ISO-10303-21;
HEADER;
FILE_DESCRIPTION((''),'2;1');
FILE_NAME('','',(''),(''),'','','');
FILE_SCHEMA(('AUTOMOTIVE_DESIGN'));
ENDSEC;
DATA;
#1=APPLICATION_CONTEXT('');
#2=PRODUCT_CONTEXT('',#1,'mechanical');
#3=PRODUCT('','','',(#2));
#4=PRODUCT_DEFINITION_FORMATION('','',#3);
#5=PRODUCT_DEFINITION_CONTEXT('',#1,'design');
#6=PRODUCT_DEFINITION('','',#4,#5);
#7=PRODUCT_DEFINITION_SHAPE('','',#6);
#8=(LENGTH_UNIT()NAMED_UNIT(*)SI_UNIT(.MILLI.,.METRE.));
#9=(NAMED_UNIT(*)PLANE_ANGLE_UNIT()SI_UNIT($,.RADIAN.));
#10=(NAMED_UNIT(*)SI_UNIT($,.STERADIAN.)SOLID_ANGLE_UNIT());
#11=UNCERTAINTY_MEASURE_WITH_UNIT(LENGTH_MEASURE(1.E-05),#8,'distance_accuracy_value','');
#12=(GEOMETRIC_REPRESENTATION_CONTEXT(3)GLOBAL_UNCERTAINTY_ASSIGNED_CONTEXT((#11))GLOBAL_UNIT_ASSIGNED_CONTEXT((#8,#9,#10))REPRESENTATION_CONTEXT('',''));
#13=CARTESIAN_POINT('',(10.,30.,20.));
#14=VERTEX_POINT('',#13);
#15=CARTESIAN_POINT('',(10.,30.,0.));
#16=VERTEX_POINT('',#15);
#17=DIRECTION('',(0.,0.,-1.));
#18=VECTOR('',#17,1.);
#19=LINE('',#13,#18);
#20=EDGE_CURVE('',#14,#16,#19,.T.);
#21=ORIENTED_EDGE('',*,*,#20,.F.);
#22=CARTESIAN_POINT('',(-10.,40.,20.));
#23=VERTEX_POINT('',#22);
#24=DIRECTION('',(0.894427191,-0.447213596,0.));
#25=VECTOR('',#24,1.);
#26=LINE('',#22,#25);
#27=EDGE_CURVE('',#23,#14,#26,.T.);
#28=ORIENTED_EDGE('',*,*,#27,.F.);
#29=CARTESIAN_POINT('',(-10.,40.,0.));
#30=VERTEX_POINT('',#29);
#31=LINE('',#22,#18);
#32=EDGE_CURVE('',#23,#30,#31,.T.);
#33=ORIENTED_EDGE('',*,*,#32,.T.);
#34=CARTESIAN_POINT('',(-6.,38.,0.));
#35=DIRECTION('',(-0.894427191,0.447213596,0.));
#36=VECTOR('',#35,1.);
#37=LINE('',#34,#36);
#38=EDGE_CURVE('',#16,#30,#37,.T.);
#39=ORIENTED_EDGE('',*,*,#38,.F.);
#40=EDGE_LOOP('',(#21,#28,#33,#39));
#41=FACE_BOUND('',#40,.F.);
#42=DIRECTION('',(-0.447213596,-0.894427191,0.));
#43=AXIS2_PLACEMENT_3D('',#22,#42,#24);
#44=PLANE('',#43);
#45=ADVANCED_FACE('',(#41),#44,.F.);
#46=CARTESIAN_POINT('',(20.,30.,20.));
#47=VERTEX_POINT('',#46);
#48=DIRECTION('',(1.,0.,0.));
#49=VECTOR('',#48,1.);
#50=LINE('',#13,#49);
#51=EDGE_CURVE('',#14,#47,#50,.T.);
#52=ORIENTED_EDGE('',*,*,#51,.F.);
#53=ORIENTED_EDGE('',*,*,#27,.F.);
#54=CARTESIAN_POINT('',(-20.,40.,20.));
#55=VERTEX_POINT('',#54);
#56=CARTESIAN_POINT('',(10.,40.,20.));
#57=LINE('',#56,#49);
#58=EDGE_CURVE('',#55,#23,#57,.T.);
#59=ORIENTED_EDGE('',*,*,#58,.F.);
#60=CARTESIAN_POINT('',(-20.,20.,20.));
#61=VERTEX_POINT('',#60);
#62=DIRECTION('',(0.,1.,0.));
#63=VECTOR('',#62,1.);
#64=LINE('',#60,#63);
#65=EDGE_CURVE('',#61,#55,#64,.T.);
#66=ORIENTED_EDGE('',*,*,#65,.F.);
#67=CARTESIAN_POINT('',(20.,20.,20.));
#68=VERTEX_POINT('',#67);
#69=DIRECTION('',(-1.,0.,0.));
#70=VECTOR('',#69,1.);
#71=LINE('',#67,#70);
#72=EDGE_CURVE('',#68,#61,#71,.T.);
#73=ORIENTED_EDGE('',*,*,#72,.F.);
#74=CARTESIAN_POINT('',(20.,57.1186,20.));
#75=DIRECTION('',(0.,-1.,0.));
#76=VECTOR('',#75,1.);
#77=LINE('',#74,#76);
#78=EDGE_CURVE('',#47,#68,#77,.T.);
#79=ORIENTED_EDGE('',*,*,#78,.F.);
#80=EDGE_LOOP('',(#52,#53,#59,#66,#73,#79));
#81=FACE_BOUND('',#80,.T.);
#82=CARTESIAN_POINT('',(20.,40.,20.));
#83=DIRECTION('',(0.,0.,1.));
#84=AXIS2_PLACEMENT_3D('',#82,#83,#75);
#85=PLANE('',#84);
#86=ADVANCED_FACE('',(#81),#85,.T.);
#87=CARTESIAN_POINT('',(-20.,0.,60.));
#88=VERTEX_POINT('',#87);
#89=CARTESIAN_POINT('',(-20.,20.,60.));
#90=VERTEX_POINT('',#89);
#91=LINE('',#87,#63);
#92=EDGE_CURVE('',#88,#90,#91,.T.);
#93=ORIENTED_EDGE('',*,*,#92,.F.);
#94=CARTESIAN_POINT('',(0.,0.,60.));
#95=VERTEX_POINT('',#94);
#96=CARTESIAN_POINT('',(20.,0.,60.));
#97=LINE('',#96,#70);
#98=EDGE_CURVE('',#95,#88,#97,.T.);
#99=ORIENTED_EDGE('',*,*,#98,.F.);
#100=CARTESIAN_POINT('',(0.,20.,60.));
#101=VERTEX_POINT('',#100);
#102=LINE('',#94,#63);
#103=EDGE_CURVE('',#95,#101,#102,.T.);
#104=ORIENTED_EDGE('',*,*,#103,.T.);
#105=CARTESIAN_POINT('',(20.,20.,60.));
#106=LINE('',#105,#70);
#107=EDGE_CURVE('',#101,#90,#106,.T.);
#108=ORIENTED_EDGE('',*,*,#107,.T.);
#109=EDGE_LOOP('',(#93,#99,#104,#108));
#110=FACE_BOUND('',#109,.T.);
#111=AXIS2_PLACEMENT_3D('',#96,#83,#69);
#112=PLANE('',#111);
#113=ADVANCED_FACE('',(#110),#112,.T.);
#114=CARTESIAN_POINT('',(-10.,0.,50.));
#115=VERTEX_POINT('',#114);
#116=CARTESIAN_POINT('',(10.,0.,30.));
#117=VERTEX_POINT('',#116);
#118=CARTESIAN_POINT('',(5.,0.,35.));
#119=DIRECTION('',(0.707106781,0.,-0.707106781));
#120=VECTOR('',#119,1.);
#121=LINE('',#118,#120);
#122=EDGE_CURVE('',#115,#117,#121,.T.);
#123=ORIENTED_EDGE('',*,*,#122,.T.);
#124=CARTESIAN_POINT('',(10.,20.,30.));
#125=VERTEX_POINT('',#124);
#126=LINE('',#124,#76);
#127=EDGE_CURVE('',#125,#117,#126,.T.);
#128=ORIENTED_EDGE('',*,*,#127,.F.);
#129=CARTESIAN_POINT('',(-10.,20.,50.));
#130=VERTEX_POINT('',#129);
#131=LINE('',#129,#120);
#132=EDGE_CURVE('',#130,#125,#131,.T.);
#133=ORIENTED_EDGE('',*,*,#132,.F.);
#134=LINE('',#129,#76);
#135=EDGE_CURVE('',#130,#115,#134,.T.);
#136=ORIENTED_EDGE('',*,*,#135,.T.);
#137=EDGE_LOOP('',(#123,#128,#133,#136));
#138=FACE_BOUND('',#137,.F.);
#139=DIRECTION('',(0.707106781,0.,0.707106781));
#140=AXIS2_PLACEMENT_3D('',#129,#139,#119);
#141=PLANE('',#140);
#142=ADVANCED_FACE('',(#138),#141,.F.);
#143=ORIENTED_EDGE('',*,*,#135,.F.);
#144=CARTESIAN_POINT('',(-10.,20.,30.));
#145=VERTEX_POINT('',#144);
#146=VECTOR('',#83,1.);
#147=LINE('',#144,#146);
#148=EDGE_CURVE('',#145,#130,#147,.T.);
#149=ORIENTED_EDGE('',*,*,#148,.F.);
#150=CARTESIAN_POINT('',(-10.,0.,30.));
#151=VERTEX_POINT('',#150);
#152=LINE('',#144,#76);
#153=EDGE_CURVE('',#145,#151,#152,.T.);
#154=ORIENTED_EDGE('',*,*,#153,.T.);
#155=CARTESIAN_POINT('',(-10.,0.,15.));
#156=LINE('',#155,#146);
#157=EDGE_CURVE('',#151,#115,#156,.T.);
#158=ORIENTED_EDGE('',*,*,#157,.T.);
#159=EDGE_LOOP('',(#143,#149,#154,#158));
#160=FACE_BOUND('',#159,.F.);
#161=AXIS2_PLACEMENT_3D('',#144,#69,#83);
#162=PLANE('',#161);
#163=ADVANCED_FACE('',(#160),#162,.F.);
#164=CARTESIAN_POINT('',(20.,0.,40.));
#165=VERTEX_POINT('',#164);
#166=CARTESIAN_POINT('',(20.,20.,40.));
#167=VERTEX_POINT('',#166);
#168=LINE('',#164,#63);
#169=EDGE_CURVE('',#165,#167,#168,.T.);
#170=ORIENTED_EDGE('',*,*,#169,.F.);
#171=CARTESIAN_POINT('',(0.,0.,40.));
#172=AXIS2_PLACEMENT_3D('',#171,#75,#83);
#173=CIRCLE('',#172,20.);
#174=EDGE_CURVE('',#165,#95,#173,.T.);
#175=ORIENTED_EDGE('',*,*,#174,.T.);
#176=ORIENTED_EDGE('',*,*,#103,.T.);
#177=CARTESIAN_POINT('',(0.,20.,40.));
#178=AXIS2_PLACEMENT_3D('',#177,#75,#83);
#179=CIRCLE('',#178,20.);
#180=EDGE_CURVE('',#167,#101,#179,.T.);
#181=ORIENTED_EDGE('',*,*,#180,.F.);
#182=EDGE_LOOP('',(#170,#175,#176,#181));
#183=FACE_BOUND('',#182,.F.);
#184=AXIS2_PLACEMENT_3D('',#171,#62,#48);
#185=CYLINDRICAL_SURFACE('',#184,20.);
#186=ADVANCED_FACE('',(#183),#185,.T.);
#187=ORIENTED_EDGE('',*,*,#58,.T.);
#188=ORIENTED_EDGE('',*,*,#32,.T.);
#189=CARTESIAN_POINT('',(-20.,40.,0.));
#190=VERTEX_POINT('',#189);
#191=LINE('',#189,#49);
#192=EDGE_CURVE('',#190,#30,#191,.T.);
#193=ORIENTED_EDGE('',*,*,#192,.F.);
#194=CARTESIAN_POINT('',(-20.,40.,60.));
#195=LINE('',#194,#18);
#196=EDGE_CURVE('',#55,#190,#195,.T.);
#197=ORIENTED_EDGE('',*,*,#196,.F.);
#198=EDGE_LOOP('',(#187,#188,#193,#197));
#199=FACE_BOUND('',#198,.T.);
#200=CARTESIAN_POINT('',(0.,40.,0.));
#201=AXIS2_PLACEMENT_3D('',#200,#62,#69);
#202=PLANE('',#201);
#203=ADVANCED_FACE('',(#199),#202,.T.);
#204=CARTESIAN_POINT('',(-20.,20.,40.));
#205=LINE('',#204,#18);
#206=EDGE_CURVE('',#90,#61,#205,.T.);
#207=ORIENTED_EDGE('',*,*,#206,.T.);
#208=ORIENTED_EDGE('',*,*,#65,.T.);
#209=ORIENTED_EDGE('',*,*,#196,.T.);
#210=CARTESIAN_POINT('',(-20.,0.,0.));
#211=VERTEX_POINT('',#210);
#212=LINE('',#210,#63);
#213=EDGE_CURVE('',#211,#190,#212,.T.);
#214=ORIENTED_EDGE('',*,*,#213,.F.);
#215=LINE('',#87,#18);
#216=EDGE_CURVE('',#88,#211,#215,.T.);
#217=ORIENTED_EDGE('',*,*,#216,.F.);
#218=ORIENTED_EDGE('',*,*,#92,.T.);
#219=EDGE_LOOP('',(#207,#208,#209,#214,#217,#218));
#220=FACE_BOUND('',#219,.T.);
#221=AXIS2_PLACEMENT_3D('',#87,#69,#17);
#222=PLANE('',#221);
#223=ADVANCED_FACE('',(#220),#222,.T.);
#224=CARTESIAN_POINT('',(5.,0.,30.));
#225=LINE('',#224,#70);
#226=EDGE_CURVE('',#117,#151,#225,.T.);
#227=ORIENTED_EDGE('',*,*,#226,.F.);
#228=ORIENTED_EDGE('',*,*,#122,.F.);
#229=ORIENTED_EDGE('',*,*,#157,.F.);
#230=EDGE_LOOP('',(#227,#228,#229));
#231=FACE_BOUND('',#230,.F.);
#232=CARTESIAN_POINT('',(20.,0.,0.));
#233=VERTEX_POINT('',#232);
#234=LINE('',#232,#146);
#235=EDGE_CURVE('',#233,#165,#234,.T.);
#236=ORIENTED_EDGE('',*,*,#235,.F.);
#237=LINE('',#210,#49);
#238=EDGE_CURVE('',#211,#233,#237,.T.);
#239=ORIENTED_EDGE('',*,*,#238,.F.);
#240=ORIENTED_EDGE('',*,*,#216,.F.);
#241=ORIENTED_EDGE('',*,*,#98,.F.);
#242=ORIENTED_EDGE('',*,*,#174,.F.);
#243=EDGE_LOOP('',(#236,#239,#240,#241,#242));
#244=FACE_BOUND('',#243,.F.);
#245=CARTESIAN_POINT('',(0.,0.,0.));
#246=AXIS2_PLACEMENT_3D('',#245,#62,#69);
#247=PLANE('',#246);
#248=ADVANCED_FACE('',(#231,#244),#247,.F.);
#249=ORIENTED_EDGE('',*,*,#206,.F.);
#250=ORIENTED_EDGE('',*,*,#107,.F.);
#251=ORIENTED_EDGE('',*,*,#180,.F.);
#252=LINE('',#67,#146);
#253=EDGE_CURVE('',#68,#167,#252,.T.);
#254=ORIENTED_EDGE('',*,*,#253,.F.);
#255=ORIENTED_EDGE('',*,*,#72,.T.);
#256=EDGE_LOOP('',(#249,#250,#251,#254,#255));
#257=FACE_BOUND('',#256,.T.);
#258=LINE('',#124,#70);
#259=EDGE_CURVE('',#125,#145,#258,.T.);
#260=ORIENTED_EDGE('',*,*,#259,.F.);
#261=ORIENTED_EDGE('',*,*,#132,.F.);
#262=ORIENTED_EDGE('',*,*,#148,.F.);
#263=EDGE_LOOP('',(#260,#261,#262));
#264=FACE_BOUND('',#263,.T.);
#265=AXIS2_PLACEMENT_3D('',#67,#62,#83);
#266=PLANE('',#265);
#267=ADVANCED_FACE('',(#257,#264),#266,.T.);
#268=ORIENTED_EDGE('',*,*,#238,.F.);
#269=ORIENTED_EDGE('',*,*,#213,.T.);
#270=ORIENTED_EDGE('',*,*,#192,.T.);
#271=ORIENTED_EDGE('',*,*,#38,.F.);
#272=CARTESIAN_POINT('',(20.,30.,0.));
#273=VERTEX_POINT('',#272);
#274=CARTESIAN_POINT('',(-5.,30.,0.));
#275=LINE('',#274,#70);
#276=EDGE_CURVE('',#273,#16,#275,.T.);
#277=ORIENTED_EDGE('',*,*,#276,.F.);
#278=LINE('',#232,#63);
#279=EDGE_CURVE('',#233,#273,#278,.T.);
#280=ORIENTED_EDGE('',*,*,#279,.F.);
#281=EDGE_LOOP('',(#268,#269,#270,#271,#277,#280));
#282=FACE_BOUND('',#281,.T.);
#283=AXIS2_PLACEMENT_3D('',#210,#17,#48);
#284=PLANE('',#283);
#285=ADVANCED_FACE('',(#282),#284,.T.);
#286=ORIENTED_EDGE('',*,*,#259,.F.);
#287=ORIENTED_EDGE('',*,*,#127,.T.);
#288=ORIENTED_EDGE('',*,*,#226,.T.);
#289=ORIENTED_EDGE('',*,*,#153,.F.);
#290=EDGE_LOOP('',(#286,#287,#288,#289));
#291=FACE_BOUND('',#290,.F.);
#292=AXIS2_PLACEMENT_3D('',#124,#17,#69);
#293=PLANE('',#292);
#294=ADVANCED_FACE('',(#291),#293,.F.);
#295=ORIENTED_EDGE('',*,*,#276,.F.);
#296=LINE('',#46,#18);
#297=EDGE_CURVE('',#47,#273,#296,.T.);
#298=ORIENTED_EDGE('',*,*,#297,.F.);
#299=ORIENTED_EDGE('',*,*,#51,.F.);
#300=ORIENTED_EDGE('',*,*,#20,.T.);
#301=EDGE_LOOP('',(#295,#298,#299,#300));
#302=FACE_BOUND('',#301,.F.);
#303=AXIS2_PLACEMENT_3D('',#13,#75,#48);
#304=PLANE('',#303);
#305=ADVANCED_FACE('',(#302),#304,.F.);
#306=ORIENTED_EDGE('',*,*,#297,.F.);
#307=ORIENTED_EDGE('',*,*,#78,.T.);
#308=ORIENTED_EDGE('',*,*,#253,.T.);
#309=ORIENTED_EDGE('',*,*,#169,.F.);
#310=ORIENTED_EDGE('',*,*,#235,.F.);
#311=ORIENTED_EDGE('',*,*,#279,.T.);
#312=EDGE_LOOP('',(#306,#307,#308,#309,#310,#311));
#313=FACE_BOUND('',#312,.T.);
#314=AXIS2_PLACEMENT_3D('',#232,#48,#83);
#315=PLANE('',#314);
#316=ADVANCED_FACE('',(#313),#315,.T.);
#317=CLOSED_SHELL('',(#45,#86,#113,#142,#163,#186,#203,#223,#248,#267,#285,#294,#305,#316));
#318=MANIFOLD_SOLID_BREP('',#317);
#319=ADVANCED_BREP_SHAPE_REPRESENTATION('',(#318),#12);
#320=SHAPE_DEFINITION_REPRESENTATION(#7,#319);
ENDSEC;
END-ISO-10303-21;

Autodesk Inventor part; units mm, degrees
ref_plane "YZ Plane" through (0, 0, 0) normal (1, 0, 0) x (0, 1, 0)
ref_plane "XZ Plane" through (0, 0, 0) normal (0, 1, 0) x (-1, 0, 0)
ref_plane "XY Plane" through (0, 0, 0) normal (0, 0, 1) x (1, 0, 0)
sketch "草圖1" plane through (0, 0, 0) normal (0, 1, 0) x (-1, 0, 0)
  line L0 (20, 0) -> (-20, 0)
  line L1 (-20, 0) -> (-20, 60)
  line L2 (-20, 60) -> (20, 60)
  line L3 (20, 60) -> (20, 0)
  point P0 (0, 0)
  point P1 (0, 0)
  dimension "d0" = 40
  dimension "d1" = 60
extrude "擠出1" add sketch "草圖1" along normal blind 40
sketch "草圖2" plane through (20, 0, 60) normal (1, 0, 0) x (0, 0, -1)
  line L0 (60, 40) -> (60, 0) projected
  line L1 (60, 0) -> (0, 0) projected
  line L2 (0, 0) -> (0, 40) projected
  line L3 (0, 40) -> (60, 40) projected
  line L4 (-24.1711, 57.1186) -> (40, 57.1186)
  line L5 (40, 57.1186) -> (40, 20)
  line L6 (40, 20) -> (-24.1711, 20)
  line L7 (-24.1711, 20) -> (-24.1711, 57.1186)
  dimension "d4" = 40
  dimension "d5" = 20
extrude "擠出2" cut sketch "草圖2" against normal through all contours L5 L6 L2 L3 | L3 L2 L6 L7 L4 L5
sketch "草圖3" plane through (20, 20, 20) normal (0, 0, 1) x (1, 0, 0)
  line L0 (-40, 20) -> (0, 20) projected
  line L1 (0, 20) -> (0, 0) projected
  line L2 (-40, 0) -> (0, 0) projected
  line L3 (-40, -20) -> (-40, 0) projected
  line L4 (0, -20) -> (-40, -20) projected
  line L5 (0, 0) -> (0, -20) projected
  line L6 (-40, 0) -> (-40, 20) projected
  line L7 (0, 20) -> (-40, 20) projected
  line L8 (-30, 20) -> (-10, 10)
  line L9 (-10, 10) -> (0, 10)
  line L10 (0, -20) -> (0, 20) projected
  point P0 (-20, -20)
  point P1 (0, 10)
  dimension "d8" = 10
  dimension "d9" = 10
  dimension "d10" = 10
extrude "擠出3" cut sketch "草圖3" against normal through all contours L0 L1 L9 L8
sketch "草圖4" plane through (20, 20, 60) normal (0, 1, 0) x (1, 0, 0)
  line L0 (0, 60) -> (0, 40) projected
  line L1 (0, 40) -> (0, 0) projected
  line L2 (0, 0) -> (-40, 0) projected
  line L3 (-40, 0) -> (-40, 40) projected
  line L4 (-40, 40) -> (-40, 60) projected
  line L5 (-40, 60) -> (0, 60) projected
  line L6 (0, 40) -> (-40, 40) projected
  line L7 (-30, 30) -> (-30, 10)
  line L8 (-30, 10) -> (-10, 30)
  line L9 (-10, 30) -> (-30, 30)
  point P0 (-20, 60)
  dimension "d13" = 20
  dimension "d14" = 10
  dimension "d15" = 10
extrude "擠出4" cut sketch "草圖4" against normal through all contours L9 L8 L7
fillet "圓角1" radius 20 1 edges at (20, 10, 60)
properties part number "37" material "鋼、碳鋼"
